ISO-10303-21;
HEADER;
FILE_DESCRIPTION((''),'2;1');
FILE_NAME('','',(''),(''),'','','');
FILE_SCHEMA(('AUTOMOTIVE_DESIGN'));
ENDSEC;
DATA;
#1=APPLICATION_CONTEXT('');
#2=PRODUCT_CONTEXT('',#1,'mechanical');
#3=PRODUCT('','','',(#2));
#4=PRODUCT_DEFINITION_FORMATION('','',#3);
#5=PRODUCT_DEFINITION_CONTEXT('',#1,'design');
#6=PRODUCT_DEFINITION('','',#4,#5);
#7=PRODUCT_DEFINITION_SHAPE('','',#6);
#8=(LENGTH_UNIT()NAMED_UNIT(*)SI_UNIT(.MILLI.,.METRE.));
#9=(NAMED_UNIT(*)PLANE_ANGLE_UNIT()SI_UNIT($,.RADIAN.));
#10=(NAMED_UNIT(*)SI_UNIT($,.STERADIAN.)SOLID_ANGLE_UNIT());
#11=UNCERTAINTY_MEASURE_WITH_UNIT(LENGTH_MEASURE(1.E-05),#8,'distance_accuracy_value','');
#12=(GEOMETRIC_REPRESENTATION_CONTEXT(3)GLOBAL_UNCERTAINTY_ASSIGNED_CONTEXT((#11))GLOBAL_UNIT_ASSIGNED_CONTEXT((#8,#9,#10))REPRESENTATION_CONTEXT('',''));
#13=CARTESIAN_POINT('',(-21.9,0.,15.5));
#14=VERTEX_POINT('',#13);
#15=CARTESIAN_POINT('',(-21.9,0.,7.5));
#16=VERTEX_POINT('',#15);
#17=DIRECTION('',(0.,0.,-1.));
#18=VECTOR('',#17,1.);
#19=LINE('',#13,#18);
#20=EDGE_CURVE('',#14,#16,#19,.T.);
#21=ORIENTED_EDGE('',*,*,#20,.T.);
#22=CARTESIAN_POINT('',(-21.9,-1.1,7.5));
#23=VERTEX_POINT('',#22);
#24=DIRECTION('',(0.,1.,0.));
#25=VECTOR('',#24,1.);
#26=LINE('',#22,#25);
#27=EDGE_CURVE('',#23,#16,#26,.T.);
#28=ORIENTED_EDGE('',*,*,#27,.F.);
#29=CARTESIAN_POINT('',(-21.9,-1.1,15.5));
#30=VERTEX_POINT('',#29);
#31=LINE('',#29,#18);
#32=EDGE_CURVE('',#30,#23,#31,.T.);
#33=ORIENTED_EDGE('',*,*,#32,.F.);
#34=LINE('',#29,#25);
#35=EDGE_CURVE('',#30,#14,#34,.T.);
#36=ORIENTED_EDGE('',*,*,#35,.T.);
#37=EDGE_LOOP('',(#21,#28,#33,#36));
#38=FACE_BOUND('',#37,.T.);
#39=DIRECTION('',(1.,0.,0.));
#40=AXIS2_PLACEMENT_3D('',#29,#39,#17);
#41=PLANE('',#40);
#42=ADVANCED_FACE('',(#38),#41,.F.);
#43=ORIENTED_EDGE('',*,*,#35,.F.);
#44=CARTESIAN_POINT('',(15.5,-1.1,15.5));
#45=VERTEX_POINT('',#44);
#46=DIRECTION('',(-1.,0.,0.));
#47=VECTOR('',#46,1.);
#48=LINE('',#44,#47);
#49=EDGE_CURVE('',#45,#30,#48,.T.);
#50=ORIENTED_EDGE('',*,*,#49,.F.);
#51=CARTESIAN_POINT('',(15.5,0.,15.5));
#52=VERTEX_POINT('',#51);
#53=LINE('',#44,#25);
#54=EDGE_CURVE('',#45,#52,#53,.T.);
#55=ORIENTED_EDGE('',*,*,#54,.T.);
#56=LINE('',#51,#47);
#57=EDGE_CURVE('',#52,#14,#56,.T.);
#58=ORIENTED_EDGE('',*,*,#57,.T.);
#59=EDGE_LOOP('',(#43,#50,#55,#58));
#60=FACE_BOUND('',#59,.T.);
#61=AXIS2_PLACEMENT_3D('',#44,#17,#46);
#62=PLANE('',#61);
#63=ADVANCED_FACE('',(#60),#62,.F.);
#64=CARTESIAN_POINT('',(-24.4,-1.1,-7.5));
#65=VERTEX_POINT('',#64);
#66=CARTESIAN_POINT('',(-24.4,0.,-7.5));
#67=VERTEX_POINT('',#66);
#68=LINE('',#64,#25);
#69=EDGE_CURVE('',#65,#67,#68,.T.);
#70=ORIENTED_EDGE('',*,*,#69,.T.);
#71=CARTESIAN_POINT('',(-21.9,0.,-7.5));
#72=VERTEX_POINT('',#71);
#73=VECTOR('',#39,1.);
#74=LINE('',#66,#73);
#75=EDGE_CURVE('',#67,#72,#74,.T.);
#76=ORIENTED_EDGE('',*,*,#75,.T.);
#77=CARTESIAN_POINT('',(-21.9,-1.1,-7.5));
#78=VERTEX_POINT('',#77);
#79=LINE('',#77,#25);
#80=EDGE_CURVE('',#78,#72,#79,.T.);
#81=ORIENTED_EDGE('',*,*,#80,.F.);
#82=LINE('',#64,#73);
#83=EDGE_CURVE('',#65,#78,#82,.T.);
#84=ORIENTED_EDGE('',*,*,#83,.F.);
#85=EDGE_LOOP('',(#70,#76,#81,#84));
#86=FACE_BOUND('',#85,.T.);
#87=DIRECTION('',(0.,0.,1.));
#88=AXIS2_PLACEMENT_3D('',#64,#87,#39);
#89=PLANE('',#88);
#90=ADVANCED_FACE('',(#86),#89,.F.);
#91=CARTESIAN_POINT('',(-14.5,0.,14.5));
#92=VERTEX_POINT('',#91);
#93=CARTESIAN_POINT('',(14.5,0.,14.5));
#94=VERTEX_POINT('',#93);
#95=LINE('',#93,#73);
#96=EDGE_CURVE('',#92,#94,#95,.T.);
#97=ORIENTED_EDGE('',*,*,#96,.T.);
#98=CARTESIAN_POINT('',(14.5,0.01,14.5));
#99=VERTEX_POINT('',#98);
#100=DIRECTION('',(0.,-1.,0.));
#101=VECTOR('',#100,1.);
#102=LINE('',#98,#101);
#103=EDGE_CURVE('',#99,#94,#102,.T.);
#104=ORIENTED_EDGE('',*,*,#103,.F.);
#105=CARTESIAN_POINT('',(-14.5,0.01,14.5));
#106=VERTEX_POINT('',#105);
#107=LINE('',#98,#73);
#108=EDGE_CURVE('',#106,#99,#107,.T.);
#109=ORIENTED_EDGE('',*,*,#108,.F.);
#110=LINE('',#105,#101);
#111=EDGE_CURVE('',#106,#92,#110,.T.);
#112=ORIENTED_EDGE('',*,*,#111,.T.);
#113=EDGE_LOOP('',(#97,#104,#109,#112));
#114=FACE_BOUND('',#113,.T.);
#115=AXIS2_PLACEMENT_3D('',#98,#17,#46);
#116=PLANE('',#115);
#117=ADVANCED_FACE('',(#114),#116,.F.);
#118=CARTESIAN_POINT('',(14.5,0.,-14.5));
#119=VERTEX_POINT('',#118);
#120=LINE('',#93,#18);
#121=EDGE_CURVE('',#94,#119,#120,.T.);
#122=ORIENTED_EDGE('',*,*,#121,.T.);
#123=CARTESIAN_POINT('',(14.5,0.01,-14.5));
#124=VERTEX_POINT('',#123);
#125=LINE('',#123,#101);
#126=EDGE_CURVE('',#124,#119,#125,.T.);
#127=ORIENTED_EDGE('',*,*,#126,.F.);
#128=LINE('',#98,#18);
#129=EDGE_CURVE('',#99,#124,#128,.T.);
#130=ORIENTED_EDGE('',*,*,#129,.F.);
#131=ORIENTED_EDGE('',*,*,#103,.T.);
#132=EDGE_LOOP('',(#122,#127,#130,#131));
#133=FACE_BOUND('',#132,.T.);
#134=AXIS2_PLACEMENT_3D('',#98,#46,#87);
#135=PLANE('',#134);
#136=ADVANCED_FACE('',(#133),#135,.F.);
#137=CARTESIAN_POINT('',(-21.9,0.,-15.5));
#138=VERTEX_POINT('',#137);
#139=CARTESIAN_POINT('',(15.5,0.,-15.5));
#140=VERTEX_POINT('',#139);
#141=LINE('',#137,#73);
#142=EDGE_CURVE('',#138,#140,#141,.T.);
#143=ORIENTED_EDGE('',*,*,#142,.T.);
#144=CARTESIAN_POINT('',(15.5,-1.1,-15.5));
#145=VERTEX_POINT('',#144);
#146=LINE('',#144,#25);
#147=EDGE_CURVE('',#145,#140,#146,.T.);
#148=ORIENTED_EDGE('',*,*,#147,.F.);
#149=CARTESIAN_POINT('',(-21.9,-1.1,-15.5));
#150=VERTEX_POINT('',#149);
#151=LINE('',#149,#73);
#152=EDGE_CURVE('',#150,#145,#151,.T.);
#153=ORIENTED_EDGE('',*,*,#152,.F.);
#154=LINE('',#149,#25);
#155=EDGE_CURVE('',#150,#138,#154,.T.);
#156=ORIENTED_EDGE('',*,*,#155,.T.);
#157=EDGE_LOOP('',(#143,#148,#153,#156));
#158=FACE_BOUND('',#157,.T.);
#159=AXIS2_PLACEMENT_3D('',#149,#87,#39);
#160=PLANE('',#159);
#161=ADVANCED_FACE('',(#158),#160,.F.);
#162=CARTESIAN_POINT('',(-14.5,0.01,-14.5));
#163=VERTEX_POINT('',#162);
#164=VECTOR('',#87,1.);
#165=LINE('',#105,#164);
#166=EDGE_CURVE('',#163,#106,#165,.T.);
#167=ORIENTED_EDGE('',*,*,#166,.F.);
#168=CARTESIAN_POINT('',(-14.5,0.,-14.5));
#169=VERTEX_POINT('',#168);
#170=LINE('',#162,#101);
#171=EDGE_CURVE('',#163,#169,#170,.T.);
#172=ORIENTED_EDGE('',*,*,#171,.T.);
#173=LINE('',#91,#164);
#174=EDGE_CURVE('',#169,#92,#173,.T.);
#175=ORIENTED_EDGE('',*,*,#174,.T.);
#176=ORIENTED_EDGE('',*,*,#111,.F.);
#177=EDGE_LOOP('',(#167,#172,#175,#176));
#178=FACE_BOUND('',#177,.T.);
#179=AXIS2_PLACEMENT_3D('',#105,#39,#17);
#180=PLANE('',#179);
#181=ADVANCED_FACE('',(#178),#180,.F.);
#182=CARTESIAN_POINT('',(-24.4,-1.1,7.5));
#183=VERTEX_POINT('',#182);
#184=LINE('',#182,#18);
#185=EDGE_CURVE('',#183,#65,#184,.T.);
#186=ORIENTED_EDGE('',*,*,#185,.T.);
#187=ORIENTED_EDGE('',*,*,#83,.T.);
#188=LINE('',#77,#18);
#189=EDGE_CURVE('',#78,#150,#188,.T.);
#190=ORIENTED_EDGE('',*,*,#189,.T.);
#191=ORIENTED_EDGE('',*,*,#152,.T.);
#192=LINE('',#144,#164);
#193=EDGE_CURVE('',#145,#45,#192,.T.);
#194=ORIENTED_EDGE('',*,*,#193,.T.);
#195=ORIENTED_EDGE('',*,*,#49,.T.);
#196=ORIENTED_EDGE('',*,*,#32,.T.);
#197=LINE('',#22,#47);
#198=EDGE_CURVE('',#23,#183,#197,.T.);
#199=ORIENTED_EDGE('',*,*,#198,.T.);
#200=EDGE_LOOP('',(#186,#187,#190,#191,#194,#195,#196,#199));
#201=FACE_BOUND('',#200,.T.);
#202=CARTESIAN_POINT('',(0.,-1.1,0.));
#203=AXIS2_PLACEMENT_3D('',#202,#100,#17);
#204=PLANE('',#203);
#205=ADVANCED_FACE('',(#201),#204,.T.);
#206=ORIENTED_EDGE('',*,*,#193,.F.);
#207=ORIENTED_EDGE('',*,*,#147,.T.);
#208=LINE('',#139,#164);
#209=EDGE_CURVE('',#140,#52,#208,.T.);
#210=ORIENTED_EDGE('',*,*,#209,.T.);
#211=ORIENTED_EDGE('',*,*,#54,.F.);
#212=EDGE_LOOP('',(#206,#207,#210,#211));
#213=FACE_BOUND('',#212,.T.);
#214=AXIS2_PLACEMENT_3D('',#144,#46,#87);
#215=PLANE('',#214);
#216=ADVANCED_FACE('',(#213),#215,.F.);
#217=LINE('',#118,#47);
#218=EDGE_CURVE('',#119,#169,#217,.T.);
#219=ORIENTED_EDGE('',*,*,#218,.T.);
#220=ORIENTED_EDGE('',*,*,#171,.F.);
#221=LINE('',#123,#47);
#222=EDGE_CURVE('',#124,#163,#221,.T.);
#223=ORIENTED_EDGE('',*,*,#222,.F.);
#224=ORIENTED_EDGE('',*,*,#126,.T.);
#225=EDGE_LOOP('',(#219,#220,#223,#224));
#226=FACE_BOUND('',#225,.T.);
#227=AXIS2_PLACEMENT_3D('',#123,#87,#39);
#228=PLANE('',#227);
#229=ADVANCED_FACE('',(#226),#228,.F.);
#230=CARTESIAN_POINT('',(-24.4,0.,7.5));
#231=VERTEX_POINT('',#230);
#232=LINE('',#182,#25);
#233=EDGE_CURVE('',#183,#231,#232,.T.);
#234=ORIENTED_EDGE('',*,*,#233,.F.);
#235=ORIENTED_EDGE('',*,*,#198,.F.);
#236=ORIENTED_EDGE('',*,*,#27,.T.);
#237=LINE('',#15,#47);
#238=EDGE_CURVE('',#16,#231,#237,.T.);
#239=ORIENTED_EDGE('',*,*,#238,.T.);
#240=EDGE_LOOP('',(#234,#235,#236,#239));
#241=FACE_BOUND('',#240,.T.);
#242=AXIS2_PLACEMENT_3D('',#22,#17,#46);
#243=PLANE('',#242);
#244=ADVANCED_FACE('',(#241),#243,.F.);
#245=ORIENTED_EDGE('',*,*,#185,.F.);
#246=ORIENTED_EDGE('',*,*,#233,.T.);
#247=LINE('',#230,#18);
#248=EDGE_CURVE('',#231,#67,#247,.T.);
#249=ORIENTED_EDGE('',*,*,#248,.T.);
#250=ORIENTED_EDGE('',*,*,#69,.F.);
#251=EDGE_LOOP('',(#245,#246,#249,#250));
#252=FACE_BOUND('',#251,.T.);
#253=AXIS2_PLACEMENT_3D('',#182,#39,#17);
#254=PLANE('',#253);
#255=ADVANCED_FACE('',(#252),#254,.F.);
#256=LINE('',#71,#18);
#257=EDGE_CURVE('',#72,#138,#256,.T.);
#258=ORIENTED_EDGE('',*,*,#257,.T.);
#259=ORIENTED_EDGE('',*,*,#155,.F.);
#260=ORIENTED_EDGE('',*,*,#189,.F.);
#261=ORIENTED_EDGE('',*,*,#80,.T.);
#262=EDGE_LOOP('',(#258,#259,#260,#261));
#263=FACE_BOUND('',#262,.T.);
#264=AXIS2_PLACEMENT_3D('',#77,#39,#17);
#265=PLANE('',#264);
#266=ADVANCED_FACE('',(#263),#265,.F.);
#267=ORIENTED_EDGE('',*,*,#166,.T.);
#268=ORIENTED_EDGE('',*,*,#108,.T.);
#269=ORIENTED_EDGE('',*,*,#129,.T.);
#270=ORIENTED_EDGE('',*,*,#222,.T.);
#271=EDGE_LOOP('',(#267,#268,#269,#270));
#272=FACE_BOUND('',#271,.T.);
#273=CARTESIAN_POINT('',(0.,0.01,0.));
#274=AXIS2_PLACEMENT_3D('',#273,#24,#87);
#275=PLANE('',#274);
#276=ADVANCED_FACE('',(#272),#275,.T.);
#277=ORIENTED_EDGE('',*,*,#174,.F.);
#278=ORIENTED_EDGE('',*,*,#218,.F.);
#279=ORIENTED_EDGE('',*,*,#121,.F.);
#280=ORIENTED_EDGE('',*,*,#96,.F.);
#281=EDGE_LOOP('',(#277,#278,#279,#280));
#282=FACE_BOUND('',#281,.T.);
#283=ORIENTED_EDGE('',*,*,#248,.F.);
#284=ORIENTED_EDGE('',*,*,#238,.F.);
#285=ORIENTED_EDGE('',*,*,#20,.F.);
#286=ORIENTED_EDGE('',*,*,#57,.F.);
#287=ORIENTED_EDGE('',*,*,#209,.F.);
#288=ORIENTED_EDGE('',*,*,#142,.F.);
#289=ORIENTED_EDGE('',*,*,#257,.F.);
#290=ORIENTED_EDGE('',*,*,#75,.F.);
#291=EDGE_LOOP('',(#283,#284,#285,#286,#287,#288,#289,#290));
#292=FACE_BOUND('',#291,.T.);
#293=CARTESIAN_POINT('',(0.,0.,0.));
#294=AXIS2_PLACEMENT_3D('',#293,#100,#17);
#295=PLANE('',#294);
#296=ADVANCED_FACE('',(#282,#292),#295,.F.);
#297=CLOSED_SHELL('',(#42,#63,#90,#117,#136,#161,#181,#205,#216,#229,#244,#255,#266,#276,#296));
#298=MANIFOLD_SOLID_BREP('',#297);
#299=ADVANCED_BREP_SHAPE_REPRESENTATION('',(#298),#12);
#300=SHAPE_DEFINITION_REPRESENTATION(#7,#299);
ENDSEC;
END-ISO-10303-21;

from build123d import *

# Parameters (mm, degrees)
SKETCH1_W           = 29
SKETCH1_H           = 29
BOSS_EXTRUDE1_DEPTH = 0.01
BOSS_EXTRUDE2_DEPTH = 1.1


with BuildPart() as part:
    # Sketch1 → Boss-Extrude1 (new body)
    with BuildSketch(Plane(origin=(0, 0, 0), x_dir=(1, 0, 0), z_dir=(0, 1, 0))):
        Rectangle(SKETCH1_W, SKETCH1_H)
    extrude(amount=BOSS_EXTRUDE1_DEPTH)

    # Sketch2 → Boss-Extrude2 (add)
    with BuildSketch(Plane.XZ):
        Polygon((-21.9, 15.5), (-21.9, 7.5), (-24.4, 7.5), (-24.4, -7.5), (-21.9, -7.5), (-21.9, -15.5), (15.5, -15.5), (15.5, 15.5), align=None)
    extrude(amount=BOSS_EXTRUDE2_DEPTH)


solid = part.part
